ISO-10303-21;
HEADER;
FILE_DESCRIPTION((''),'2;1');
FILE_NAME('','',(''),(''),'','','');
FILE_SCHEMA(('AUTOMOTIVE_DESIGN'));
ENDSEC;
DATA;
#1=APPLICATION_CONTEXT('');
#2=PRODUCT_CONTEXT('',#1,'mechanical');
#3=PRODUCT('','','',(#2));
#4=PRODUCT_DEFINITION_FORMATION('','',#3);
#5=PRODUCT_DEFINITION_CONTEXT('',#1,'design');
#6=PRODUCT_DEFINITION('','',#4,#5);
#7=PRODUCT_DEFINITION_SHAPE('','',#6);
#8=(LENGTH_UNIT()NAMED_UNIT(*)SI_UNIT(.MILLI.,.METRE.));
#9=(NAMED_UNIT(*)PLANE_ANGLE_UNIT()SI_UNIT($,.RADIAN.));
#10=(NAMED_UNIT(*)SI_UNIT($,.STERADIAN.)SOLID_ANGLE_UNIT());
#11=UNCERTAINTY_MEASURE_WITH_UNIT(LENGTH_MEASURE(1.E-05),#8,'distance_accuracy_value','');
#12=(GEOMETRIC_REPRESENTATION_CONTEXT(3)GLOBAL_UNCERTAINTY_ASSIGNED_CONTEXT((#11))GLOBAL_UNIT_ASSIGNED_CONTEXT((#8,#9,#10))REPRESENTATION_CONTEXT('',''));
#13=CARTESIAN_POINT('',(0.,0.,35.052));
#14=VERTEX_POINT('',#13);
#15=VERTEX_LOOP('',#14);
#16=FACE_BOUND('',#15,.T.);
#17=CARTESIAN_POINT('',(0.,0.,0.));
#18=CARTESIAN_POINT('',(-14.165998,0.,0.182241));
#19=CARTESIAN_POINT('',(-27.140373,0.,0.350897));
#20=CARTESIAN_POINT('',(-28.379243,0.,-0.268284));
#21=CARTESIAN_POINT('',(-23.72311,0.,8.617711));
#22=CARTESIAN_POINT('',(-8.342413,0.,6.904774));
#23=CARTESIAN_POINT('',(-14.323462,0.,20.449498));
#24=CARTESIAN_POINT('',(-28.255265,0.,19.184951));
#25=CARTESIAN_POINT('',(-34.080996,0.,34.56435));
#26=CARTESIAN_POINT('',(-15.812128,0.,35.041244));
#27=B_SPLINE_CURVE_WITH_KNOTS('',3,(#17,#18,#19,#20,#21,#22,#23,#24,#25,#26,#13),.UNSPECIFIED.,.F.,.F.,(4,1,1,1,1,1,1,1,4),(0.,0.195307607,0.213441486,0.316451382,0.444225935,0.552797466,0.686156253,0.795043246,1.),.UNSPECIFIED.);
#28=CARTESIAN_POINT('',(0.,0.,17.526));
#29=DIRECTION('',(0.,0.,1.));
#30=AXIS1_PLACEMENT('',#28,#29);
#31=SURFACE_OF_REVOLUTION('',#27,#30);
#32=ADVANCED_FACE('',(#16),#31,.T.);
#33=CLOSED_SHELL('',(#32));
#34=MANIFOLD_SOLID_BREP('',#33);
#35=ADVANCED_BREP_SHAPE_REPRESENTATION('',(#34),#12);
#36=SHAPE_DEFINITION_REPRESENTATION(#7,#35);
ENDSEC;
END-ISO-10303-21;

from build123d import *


with BuildPart() as f1:
    # F0 (on Front) → F1 (revolve)
    with BuildSketch(Plane.XZ):
        with BuildLine():
            add(Edge.make_bspline(
                [(0, 0), (-14.1659984246, 0.1822414202), (-27.1403732003, 0.3508967493), (-28.3792427368, -0.268284126), (-23.7231097601, 8.6177114417), (-8.3424125819, 6.9047736491), (-14.323462188, 20.4494978519), (-28.2552651789, 19.1849511984), (-34.0809964884, 34.5643497542), (-15.8121283877, 35.0412440784), (0, 35.052)],
                knots=[0, 0, 0, 0, 0.1953076067, 0.2134414859, 0.3164513818, 0.4442259353, 0.552797466, 0.6861562529, 0.7950432464, 1, 1, 1, 1], degree=3))
            Line((0, 0), (0, 35.052))
        make_face()
    revolve(axis=Axis((0, 0, 17.526), (0, 0, 1)))


solid = f1.part
